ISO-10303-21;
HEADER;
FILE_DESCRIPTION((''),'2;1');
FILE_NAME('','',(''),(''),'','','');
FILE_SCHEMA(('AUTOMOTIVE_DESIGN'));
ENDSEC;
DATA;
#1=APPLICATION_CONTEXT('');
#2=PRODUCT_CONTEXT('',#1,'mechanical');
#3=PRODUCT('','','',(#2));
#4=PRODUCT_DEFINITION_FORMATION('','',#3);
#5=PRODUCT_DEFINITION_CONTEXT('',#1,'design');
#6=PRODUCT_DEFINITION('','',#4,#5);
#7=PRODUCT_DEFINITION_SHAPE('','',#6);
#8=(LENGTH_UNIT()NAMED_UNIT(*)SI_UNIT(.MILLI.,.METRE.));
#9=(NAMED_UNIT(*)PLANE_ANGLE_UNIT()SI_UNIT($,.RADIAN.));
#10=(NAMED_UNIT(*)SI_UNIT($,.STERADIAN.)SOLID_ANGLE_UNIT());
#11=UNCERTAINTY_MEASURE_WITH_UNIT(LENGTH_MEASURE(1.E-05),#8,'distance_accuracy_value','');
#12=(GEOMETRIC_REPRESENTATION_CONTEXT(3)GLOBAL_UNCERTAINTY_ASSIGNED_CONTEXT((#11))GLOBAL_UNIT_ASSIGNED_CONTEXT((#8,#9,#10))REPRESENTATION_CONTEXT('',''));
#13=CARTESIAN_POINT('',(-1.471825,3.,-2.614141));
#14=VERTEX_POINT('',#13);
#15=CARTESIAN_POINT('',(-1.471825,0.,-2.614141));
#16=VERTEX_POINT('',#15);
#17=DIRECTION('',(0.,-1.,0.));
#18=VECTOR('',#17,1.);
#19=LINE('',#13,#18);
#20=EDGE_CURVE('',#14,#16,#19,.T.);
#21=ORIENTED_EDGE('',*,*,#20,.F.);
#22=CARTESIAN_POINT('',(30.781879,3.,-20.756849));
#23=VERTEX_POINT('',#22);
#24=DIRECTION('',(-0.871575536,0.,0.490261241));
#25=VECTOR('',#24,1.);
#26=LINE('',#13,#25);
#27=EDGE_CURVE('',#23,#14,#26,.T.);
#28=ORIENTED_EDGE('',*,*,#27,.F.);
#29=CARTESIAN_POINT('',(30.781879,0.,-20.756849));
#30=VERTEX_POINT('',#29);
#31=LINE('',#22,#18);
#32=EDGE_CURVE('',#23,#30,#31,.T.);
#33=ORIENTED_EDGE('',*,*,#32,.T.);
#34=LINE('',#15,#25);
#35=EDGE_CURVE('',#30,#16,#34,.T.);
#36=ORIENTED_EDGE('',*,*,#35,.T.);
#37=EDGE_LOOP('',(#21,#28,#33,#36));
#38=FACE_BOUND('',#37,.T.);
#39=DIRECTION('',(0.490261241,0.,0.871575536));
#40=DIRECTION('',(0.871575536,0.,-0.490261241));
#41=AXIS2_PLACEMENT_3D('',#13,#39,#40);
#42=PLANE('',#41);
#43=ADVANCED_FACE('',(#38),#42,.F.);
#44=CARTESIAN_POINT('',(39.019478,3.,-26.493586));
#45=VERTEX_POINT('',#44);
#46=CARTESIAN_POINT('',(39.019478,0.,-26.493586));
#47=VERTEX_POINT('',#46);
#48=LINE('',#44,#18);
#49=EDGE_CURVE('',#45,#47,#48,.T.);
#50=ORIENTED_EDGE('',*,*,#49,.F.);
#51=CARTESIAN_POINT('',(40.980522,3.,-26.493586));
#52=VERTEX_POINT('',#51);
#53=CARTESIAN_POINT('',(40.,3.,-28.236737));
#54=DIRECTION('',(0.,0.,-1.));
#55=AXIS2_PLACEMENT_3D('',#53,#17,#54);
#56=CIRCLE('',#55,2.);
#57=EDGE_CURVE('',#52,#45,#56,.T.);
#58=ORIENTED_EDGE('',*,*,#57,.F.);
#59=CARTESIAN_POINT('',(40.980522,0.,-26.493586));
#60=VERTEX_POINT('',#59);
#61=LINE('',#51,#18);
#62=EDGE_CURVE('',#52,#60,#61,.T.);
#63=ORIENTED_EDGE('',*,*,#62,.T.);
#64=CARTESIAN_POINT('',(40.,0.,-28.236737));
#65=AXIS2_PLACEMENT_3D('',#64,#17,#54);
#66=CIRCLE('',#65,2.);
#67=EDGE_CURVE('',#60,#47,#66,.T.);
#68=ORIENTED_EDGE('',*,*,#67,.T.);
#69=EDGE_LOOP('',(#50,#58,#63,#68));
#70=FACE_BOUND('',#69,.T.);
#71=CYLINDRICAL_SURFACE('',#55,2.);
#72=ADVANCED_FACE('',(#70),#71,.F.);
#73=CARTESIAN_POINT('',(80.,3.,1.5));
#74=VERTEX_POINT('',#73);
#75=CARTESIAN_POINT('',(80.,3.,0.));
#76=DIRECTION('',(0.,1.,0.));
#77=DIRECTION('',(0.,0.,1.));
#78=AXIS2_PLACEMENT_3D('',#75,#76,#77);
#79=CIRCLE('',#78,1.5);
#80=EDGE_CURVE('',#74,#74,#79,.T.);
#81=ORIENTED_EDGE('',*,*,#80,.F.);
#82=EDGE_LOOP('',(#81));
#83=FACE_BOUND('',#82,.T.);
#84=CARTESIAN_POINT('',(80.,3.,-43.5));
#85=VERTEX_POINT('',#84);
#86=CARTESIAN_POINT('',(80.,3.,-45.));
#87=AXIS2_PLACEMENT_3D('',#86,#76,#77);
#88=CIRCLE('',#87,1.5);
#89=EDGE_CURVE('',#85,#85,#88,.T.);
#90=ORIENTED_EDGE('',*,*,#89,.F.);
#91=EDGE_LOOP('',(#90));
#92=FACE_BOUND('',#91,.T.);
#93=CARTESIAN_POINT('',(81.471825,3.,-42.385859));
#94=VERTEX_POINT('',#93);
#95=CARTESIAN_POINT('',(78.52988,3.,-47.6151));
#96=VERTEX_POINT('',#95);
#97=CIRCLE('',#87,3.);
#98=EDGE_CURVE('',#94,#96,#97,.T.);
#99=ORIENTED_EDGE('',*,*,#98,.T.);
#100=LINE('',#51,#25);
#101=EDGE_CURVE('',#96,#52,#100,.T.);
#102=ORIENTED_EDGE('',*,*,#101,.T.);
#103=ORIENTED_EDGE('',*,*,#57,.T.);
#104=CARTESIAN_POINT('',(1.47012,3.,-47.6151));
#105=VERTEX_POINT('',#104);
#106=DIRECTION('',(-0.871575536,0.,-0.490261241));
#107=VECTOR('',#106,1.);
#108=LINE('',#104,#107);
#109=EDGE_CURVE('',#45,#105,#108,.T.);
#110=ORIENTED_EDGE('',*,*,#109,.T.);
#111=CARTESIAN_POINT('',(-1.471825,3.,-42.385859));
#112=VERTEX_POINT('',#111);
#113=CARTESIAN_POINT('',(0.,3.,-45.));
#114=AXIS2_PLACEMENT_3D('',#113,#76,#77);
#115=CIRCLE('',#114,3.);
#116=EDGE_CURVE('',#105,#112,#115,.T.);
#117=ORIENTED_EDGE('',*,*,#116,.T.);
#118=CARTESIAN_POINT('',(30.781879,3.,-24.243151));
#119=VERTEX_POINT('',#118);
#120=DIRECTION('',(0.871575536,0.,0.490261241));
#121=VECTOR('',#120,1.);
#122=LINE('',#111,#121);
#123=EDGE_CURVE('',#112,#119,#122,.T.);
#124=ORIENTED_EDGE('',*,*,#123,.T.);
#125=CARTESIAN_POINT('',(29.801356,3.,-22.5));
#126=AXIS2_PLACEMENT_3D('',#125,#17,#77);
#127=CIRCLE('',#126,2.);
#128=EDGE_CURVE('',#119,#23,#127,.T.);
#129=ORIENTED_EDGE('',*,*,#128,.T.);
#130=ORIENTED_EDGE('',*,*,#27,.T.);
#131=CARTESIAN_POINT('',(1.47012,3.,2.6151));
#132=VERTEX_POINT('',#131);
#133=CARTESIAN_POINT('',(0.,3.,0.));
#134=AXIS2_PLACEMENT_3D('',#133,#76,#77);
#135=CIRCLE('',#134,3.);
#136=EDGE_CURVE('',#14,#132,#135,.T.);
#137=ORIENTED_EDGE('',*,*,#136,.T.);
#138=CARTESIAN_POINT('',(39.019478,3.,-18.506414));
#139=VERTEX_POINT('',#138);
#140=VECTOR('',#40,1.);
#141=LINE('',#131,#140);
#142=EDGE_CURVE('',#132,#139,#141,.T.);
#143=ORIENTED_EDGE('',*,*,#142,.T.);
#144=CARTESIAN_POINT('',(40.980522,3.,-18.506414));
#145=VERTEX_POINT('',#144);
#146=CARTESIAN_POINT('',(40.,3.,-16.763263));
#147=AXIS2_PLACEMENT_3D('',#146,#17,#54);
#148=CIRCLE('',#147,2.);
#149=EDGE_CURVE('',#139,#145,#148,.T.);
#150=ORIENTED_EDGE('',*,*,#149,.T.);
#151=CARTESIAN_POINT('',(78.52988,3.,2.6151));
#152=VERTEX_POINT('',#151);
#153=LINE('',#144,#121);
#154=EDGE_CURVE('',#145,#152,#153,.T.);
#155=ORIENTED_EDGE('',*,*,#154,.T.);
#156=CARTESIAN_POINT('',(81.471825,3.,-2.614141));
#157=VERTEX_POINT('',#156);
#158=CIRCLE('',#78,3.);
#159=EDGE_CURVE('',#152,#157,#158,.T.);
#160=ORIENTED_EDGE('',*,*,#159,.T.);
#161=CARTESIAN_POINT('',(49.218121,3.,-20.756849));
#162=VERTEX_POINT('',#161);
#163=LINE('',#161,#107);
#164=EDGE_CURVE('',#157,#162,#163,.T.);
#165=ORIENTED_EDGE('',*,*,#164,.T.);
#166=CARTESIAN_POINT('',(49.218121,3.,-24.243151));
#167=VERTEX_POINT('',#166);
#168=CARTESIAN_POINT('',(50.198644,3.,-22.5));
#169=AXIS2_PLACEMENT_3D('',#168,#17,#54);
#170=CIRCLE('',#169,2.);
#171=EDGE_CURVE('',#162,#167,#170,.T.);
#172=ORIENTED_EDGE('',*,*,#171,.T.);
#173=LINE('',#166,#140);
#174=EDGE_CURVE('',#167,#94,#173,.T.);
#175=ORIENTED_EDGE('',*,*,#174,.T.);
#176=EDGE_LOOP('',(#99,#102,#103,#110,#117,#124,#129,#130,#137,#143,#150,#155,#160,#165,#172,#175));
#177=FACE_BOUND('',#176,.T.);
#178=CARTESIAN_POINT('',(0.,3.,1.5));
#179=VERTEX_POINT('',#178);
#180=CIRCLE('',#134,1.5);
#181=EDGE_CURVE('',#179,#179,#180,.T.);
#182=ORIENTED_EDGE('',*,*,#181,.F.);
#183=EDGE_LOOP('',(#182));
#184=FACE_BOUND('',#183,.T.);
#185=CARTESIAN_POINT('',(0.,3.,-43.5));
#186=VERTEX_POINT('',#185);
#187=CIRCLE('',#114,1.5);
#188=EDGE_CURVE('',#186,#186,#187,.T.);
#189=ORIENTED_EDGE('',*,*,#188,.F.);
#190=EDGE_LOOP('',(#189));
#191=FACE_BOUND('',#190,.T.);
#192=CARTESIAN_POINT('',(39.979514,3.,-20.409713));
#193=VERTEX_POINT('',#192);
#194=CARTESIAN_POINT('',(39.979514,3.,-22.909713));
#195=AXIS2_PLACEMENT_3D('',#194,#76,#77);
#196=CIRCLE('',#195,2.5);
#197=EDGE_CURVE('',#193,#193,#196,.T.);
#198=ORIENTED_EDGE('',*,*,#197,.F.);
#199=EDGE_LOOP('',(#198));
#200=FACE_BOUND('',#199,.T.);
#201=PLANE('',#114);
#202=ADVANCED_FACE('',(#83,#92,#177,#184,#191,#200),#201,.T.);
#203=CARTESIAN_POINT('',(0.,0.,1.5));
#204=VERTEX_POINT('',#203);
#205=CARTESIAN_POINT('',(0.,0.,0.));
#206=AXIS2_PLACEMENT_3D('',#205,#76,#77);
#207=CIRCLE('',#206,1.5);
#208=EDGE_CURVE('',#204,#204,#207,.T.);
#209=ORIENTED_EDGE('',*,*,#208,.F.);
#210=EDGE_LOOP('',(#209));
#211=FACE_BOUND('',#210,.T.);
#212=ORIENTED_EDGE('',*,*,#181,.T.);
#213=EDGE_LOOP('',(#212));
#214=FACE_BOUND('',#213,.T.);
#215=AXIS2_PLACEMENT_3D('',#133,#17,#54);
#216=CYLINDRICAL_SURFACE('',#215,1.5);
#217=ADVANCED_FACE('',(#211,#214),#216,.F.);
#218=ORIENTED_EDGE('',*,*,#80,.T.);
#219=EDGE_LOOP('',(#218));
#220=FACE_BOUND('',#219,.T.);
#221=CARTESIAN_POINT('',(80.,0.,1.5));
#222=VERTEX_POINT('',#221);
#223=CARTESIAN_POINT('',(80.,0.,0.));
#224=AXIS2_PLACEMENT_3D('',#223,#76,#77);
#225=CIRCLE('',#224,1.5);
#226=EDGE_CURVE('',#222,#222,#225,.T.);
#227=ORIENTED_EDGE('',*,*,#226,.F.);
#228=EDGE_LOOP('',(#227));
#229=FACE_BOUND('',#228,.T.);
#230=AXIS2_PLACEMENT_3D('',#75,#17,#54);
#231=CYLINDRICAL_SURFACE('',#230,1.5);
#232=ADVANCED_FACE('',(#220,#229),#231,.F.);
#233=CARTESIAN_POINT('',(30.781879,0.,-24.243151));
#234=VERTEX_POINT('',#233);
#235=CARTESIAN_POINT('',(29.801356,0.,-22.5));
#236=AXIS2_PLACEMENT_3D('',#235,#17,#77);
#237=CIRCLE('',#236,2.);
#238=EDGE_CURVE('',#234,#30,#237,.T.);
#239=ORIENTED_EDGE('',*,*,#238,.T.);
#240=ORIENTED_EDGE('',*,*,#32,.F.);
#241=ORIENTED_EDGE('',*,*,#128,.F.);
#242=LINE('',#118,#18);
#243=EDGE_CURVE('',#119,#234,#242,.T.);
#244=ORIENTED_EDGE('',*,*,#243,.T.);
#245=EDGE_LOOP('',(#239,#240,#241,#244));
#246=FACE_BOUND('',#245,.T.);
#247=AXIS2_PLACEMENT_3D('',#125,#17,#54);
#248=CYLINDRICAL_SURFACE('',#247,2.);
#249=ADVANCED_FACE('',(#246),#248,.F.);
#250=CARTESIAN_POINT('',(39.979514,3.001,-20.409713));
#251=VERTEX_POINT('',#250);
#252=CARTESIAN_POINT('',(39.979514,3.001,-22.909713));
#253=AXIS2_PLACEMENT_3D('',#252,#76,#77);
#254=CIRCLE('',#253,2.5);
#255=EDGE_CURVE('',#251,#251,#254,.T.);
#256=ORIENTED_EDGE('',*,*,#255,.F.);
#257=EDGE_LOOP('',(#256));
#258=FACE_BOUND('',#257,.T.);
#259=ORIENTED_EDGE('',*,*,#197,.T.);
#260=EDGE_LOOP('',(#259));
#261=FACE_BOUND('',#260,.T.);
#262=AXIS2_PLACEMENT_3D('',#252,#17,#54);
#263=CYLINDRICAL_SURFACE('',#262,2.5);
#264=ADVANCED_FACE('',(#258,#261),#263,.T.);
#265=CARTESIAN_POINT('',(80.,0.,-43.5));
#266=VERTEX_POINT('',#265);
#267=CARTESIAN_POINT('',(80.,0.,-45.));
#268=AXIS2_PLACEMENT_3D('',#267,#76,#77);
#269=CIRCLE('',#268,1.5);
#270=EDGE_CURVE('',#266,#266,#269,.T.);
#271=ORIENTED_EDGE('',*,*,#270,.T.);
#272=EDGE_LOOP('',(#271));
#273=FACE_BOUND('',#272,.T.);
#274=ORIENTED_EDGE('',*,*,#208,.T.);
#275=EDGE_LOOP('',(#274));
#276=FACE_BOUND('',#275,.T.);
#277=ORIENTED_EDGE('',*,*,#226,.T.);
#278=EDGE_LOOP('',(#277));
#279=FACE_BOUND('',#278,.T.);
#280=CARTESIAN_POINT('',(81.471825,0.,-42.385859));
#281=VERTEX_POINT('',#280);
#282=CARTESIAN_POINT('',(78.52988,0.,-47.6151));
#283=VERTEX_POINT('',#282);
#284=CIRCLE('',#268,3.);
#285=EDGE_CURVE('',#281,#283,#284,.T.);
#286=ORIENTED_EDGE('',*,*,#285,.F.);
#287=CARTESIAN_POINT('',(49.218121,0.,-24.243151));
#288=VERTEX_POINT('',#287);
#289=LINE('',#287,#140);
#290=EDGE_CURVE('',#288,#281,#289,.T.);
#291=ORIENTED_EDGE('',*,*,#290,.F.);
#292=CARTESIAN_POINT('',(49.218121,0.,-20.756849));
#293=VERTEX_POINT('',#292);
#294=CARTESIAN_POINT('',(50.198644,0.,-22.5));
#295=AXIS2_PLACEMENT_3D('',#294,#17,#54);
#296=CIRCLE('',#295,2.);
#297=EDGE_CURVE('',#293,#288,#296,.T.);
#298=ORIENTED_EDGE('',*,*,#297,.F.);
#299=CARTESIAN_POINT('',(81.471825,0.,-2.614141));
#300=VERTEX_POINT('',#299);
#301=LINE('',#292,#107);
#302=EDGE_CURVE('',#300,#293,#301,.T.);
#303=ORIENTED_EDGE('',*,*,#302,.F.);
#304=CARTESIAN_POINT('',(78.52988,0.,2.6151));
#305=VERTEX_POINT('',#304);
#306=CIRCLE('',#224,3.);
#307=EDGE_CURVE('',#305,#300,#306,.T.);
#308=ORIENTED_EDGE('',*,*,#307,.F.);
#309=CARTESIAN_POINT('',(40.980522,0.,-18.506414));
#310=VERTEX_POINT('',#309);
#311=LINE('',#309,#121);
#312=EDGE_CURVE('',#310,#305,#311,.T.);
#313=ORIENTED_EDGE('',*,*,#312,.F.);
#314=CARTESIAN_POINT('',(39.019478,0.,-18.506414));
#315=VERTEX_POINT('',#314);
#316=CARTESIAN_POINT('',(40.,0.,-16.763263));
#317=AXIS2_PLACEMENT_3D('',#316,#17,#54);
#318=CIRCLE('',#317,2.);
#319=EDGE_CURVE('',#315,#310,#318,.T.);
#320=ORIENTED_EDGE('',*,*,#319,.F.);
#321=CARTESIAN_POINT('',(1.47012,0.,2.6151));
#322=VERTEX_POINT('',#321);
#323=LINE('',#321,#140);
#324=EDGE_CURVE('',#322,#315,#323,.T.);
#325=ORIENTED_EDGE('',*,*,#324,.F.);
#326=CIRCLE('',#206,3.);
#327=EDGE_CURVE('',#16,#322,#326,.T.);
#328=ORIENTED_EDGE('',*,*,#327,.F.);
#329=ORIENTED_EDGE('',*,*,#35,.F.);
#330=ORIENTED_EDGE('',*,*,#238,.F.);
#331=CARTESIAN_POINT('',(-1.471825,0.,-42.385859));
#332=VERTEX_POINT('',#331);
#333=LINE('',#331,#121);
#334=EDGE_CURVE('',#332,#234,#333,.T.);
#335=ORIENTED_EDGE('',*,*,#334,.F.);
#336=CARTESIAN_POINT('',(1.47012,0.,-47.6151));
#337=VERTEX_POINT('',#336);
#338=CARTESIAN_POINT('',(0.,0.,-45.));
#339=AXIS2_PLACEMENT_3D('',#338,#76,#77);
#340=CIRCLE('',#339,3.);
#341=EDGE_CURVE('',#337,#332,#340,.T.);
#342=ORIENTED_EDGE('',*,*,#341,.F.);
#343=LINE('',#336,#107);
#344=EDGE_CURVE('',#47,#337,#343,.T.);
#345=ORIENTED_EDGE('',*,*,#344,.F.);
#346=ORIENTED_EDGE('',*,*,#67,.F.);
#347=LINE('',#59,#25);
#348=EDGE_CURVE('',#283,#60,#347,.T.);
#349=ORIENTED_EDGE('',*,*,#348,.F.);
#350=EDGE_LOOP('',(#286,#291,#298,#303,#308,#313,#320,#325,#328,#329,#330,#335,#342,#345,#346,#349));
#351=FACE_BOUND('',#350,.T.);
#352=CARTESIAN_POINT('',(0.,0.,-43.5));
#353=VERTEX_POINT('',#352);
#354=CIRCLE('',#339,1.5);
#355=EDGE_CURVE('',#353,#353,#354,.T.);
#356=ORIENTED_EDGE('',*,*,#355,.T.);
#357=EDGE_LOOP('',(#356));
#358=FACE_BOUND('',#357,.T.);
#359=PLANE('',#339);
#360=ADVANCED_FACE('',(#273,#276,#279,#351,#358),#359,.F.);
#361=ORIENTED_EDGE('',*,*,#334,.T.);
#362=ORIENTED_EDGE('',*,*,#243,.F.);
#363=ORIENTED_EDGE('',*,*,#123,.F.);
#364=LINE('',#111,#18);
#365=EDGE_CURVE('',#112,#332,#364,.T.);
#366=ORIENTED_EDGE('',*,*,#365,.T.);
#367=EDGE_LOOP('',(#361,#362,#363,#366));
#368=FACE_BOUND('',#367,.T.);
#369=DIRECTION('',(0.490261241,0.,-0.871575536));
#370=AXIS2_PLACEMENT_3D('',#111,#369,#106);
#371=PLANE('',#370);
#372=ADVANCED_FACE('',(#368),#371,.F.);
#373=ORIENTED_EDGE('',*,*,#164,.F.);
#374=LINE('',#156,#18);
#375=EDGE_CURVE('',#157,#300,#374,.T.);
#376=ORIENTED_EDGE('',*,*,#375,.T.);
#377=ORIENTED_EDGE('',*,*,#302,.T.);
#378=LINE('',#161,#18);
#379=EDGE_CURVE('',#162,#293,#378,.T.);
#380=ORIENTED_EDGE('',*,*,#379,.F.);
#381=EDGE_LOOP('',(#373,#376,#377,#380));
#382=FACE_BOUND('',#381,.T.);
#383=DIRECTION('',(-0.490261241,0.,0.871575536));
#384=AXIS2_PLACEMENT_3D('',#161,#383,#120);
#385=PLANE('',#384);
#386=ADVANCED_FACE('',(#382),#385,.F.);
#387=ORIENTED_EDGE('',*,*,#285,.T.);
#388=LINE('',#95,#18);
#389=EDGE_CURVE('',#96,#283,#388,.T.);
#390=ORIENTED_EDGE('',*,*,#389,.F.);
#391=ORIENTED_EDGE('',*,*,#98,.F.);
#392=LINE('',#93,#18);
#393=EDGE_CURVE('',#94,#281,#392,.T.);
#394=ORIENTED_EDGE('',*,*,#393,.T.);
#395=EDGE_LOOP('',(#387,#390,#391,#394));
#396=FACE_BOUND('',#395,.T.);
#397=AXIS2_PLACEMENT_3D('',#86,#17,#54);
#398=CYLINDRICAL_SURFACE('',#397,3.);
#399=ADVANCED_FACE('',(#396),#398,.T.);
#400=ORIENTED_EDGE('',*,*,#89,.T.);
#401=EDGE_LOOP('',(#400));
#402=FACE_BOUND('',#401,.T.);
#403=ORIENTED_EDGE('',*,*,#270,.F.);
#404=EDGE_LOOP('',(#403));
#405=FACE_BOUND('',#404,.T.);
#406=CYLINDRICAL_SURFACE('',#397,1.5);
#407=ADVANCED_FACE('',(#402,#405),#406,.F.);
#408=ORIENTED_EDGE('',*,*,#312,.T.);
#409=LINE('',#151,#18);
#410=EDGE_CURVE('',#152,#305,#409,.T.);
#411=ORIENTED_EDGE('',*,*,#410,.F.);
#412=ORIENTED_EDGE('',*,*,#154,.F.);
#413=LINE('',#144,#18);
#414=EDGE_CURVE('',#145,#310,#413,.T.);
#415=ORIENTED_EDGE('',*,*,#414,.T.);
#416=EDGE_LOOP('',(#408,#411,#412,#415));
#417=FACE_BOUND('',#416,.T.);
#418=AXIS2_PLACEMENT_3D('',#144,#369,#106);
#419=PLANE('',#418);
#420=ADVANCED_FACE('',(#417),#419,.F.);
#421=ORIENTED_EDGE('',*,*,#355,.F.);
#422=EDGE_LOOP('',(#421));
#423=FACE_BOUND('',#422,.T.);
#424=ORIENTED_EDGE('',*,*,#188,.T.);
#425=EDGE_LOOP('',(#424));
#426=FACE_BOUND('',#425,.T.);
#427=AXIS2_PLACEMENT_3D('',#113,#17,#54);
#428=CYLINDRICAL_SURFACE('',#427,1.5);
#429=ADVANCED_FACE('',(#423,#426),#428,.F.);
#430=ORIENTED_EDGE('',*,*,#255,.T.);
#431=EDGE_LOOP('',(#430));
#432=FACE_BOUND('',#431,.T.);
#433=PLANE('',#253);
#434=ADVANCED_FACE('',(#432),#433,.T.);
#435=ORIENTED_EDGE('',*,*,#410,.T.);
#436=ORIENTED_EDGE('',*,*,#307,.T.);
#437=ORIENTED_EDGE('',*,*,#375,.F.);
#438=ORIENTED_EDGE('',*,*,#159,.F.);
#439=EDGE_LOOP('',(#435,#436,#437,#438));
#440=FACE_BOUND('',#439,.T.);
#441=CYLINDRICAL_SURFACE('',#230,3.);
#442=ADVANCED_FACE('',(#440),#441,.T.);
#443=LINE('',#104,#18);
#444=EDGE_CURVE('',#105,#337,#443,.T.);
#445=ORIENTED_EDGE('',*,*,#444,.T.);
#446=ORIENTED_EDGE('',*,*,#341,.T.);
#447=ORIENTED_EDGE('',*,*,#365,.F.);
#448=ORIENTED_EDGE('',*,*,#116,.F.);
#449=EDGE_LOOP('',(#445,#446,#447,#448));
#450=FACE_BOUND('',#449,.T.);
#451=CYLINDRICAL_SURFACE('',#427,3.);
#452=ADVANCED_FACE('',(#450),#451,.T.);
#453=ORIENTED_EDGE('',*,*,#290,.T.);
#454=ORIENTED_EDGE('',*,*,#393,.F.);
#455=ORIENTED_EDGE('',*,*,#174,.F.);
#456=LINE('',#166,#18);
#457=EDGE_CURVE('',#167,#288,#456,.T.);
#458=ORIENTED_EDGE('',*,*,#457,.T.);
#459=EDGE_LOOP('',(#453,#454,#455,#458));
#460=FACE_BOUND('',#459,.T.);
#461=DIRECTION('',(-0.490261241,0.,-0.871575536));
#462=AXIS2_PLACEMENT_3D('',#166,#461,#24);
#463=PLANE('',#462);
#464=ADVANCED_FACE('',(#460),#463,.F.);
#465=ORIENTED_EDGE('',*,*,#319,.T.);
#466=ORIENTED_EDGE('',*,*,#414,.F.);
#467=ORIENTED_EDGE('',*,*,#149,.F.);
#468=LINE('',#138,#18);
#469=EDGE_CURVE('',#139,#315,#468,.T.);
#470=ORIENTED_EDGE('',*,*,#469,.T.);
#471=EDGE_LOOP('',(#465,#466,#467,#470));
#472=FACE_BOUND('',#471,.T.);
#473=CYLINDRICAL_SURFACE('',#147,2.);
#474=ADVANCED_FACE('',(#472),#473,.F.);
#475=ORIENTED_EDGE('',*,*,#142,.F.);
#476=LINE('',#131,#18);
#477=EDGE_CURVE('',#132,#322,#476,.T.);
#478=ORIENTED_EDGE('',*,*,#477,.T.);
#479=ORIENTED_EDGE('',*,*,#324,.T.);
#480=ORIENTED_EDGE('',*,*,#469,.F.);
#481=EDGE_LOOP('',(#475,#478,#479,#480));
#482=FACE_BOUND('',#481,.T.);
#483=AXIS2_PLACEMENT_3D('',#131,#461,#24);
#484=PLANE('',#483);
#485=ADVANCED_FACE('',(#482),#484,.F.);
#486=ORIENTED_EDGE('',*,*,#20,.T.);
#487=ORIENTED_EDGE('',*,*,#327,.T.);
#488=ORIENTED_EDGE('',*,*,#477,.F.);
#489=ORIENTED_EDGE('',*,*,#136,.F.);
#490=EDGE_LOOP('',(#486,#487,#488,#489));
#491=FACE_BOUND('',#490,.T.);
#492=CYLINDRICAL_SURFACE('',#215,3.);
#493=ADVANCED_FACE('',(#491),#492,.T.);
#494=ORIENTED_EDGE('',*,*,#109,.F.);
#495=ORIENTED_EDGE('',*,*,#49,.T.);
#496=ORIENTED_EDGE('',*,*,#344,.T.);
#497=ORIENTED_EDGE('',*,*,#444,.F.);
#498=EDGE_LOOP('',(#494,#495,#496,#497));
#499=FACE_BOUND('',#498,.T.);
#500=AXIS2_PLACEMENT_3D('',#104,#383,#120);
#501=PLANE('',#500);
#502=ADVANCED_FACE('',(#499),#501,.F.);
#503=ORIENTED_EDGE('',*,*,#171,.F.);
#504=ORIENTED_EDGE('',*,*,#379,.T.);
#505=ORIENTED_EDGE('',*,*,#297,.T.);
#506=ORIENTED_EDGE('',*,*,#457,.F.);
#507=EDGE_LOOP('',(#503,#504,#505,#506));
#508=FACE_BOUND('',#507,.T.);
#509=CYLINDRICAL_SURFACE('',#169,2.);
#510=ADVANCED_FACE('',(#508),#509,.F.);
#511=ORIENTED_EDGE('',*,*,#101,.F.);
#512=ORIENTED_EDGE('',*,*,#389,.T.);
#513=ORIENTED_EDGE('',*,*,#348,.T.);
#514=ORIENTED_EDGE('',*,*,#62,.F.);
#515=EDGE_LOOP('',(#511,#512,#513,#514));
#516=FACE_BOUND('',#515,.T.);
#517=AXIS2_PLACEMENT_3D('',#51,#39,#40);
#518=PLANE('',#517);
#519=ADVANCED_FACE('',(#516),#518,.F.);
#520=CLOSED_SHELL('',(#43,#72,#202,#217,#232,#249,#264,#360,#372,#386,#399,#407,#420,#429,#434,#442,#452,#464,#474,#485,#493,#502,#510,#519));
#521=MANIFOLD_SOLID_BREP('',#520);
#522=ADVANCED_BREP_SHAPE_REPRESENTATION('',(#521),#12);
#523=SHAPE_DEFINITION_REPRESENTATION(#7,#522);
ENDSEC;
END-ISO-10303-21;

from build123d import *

# Parameters (mm, degrees)
SKETCH1_R           = 1.5
BOSS_EXTRUDE1_DEPTH = 3
SKETCH2_R           = 2.5
BOSS_EXTRUDE2_DEPTH = 0.001


with BuildPart() as part:
    # Sketch1 → Boss-Extrude1 (new body)
    with BuildSketch(Plane(origin=(0, 0, 0), x_dir=(1, 0, 0), z_dir=(0, 1, 0))):
        with BuildLine():
            Line((1.470120334, 47.615099655), (39.019477518, 26.493586162))
            ThreePointArc((39.019477518, 26.493586162), (40, 26.236737235), (40.980522482, 26.493586162))
            Line((40.980522482, 26.493586162), (78.529879666, 47.615099655))
            ThreePointArc((78.529879666, 47.615099655), (82.614620243, 46.470972803), (81.471825115, 42.385859447))
            Line((81.471825115, 42.385859447), (49.218121455, 24.243151073))
            ThreePointArc((49.218121455, 24.243151073), (48.198643937, 22.5), (49.218121455, 20.756848927))
            Line((49.218121455, 20.756848927), (81.471825115, 2.614140553))
            ThreePointArc((81.471825115, 2.614140553), (82.614620243, -1.470972803), (78.529879666, -2.615099655))
            Line((78.529879666, -2.615099655), (40.980522482, 18.506413838))
            ThreePointArc((40.980522482, 18.506413838), (40, 18.763262765), (39.019477518, 18.506413838))
            Line((39.019477518, 18.506413838), (1.470120334, -2.615099655))
            ThreePointArc((1.470120334, -2.615099655), (-2.614620243, -1.470972803), (-1.471825115, 2.614140553))
            Line((-1.471825115, 2.614140553), (30.781878545, 20.756848927))
            ThreePointArc((30.781878545, 20.756848927), (31.801356063, 22.5), (30.781878545, 24.243151073))
            Line((30.781878545, 24.243151073), (-1.471825115, 42.385859447))
            ThreePointArc((-1.471825115, 42.385859447), (-2.614620243, 46.470972803), (1.470120334, 47.615099655))
        make_face()
        with Locations(Location((0, 45, 0), (0, 0, 270))):
            Circle(SKETCH1_R, mode=Mode.SUBTRACT)
        with Locations(Location((80, 45, 0), (0, 0, 270))):
            Circle(SKETCH1_R, mode=Mode.SUBTRACT)
        with Locations(Location((80, 0, 0), (0, 0, 270))):
            Circle(SKETCH1_R, mode=Mode.SUBTRACT)
        with Locations(Location((0, 0, 0), (0, 0, 270))):
            Circle(SKETCH1_R, mode=Mode.SUBTRACT)
    extrude(amount=BOSS_EXTRUDE1_DEPTH)

    # Sketch2 → Boss-Extrude2 (add)
    with BuildSketch(Plane(origin=(0, 3, 0), x_dir=(1, 0, 0), z_dir=(0, 1, 0))):
        with Locations(Location((39.97951418, 22.909712694, 0), (0, 0, 270))):
            Circle(SKETCH2_R)
    extrude(amount=BOSS_EXTRUDE2_DEPTH)


solid = part.part
